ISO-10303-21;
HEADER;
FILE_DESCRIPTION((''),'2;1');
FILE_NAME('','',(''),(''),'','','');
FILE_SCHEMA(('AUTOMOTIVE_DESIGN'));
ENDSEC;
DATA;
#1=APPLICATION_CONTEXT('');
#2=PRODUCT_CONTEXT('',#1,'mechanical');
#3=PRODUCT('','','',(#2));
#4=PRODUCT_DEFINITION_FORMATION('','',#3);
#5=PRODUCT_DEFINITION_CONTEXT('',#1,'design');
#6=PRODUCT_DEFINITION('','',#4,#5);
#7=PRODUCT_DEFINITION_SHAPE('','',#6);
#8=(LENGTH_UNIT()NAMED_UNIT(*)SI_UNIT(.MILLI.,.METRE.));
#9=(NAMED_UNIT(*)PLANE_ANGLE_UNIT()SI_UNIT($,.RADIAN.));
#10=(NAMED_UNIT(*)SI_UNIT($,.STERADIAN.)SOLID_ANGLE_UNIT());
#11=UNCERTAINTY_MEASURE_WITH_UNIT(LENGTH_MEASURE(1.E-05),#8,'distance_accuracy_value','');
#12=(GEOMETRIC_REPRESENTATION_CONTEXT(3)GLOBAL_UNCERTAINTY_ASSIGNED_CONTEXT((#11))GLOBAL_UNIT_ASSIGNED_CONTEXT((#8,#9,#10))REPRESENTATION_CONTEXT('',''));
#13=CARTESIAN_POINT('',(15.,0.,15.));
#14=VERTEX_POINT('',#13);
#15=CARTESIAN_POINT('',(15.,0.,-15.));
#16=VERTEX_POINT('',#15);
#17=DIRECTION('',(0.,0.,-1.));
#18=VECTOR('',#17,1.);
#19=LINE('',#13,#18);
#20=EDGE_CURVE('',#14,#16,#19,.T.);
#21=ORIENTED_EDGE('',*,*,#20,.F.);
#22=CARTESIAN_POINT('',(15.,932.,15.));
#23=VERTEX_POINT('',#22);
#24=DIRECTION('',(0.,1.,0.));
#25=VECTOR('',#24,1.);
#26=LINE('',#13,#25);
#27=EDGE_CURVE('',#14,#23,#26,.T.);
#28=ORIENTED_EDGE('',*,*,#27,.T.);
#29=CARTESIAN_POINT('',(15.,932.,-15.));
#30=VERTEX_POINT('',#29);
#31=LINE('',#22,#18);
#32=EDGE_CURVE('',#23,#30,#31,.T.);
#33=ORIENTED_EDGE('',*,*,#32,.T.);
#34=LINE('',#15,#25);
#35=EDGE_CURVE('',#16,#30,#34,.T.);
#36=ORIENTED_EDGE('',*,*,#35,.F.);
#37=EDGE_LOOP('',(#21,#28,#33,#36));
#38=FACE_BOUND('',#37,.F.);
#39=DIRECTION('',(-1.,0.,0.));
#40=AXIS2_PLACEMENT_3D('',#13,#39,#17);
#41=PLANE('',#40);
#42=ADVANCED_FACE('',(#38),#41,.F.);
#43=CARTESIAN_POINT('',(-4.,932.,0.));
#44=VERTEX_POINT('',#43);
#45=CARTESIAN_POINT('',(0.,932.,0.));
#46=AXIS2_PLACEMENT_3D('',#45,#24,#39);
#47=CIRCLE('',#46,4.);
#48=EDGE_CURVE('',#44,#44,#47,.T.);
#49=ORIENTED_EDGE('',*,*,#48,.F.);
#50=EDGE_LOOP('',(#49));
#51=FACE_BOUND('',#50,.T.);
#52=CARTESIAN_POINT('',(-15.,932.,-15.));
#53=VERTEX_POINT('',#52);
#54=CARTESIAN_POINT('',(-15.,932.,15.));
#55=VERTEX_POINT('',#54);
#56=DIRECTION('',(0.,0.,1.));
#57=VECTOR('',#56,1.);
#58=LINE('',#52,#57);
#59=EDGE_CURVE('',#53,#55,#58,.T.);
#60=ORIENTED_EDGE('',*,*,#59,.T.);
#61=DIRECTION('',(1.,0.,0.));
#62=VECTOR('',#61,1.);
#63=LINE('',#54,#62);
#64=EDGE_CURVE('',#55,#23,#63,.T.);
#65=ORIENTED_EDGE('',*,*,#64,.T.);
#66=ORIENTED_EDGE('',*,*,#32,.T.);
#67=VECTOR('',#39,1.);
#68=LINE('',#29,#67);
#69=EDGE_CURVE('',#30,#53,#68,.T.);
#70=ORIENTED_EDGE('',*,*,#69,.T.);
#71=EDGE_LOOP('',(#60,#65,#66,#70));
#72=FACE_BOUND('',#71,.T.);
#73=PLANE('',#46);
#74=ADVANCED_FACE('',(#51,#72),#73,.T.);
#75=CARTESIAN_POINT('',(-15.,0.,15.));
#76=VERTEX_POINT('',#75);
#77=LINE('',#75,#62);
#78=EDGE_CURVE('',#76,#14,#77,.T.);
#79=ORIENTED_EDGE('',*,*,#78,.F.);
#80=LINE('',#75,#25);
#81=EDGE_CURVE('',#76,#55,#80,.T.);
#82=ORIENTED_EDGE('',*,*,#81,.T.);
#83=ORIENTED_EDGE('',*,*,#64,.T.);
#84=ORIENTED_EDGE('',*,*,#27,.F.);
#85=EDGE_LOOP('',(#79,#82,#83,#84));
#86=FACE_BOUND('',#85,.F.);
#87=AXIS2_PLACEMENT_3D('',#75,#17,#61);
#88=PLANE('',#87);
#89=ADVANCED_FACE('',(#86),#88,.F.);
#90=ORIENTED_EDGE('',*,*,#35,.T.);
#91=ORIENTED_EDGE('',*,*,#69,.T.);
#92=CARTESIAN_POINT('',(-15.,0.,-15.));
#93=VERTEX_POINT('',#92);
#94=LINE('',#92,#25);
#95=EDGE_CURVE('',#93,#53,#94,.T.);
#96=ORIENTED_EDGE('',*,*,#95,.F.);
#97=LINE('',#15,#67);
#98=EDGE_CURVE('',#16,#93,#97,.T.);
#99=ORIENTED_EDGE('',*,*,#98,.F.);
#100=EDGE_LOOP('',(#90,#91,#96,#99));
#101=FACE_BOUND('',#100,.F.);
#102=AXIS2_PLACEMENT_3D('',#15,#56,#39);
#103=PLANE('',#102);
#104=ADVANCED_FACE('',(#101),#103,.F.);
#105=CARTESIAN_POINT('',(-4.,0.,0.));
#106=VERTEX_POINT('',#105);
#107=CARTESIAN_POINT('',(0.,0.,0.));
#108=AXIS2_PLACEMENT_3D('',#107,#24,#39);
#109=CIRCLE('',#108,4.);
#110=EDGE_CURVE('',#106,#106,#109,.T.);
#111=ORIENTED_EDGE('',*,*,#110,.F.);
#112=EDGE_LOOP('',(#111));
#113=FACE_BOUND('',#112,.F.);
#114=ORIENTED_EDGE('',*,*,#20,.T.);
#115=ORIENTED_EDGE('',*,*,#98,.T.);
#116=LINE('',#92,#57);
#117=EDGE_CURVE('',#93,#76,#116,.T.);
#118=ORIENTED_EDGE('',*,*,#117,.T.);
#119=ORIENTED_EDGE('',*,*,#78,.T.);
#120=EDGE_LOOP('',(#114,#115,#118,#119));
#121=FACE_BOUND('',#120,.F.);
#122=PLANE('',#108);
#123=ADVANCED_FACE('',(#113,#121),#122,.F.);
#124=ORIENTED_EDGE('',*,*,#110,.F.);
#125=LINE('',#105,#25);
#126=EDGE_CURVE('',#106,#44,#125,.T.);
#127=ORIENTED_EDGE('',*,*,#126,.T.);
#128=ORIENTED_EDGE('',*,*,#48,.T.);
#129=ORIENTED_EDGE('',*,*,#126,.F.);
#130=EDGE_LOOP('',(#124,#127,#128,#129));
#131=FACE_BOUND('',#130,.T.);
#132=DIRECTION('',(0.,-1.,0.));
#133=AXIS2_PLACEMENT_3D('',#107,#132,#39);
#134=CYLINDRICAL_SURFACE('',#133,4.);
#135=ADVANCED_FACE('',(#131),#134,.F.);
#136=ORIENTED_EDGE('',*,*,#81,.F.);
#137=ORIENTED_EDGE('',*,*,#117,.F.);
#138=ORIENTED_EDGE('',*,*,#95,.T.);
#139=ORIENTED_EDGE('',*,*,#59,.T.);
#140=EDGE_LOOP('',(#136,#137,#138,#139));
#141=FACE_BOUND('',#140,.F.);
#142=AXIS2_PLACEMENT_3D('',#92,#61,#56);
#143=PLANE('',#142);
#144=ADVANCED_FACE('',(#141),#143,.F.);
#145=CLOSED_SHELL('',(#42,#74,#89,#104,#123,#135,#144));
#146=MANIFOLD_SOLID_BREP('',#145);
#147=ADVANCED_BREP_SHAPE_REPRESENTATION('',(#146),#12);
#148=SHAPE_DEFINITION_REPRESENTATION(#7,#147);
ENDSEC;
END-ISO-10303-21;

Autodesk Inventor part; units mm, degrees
ref_plane "YZ Plane" through (0, 0, 0) normal (1, 0, 0) x (0, 1, 0)
ref_plane "XZ Plane" through (0, 0, 0) normal (0, 1, 0) x (-1, 0, 0)
ref_plane "XY Plane" through (0, 0, 0) normal (0, 0, 1) x (1, 0, 0)
sketch "Boceto1" plane through (0, 0, 0) normal (0, 1, 0) x (-1, 0, 0)
  line L0 (15, 15) -> (-15, 15)
  line L1 (-15, 15) -> (-15, -15)
  line L2 (-15, -15) -> (15, -15)
  line L3 (15, -15) -> (15, 15)
  line L4 (15, 15) -> (-15, -15) construction
  circle A0 centre (0, 0) radius 4
  dimension "d0" = 30
  dimension "d1" = 8
extrude "Extrusión1" add sketch "Boceto1" along normal blind 932
properties part number "P_3030_1500"
